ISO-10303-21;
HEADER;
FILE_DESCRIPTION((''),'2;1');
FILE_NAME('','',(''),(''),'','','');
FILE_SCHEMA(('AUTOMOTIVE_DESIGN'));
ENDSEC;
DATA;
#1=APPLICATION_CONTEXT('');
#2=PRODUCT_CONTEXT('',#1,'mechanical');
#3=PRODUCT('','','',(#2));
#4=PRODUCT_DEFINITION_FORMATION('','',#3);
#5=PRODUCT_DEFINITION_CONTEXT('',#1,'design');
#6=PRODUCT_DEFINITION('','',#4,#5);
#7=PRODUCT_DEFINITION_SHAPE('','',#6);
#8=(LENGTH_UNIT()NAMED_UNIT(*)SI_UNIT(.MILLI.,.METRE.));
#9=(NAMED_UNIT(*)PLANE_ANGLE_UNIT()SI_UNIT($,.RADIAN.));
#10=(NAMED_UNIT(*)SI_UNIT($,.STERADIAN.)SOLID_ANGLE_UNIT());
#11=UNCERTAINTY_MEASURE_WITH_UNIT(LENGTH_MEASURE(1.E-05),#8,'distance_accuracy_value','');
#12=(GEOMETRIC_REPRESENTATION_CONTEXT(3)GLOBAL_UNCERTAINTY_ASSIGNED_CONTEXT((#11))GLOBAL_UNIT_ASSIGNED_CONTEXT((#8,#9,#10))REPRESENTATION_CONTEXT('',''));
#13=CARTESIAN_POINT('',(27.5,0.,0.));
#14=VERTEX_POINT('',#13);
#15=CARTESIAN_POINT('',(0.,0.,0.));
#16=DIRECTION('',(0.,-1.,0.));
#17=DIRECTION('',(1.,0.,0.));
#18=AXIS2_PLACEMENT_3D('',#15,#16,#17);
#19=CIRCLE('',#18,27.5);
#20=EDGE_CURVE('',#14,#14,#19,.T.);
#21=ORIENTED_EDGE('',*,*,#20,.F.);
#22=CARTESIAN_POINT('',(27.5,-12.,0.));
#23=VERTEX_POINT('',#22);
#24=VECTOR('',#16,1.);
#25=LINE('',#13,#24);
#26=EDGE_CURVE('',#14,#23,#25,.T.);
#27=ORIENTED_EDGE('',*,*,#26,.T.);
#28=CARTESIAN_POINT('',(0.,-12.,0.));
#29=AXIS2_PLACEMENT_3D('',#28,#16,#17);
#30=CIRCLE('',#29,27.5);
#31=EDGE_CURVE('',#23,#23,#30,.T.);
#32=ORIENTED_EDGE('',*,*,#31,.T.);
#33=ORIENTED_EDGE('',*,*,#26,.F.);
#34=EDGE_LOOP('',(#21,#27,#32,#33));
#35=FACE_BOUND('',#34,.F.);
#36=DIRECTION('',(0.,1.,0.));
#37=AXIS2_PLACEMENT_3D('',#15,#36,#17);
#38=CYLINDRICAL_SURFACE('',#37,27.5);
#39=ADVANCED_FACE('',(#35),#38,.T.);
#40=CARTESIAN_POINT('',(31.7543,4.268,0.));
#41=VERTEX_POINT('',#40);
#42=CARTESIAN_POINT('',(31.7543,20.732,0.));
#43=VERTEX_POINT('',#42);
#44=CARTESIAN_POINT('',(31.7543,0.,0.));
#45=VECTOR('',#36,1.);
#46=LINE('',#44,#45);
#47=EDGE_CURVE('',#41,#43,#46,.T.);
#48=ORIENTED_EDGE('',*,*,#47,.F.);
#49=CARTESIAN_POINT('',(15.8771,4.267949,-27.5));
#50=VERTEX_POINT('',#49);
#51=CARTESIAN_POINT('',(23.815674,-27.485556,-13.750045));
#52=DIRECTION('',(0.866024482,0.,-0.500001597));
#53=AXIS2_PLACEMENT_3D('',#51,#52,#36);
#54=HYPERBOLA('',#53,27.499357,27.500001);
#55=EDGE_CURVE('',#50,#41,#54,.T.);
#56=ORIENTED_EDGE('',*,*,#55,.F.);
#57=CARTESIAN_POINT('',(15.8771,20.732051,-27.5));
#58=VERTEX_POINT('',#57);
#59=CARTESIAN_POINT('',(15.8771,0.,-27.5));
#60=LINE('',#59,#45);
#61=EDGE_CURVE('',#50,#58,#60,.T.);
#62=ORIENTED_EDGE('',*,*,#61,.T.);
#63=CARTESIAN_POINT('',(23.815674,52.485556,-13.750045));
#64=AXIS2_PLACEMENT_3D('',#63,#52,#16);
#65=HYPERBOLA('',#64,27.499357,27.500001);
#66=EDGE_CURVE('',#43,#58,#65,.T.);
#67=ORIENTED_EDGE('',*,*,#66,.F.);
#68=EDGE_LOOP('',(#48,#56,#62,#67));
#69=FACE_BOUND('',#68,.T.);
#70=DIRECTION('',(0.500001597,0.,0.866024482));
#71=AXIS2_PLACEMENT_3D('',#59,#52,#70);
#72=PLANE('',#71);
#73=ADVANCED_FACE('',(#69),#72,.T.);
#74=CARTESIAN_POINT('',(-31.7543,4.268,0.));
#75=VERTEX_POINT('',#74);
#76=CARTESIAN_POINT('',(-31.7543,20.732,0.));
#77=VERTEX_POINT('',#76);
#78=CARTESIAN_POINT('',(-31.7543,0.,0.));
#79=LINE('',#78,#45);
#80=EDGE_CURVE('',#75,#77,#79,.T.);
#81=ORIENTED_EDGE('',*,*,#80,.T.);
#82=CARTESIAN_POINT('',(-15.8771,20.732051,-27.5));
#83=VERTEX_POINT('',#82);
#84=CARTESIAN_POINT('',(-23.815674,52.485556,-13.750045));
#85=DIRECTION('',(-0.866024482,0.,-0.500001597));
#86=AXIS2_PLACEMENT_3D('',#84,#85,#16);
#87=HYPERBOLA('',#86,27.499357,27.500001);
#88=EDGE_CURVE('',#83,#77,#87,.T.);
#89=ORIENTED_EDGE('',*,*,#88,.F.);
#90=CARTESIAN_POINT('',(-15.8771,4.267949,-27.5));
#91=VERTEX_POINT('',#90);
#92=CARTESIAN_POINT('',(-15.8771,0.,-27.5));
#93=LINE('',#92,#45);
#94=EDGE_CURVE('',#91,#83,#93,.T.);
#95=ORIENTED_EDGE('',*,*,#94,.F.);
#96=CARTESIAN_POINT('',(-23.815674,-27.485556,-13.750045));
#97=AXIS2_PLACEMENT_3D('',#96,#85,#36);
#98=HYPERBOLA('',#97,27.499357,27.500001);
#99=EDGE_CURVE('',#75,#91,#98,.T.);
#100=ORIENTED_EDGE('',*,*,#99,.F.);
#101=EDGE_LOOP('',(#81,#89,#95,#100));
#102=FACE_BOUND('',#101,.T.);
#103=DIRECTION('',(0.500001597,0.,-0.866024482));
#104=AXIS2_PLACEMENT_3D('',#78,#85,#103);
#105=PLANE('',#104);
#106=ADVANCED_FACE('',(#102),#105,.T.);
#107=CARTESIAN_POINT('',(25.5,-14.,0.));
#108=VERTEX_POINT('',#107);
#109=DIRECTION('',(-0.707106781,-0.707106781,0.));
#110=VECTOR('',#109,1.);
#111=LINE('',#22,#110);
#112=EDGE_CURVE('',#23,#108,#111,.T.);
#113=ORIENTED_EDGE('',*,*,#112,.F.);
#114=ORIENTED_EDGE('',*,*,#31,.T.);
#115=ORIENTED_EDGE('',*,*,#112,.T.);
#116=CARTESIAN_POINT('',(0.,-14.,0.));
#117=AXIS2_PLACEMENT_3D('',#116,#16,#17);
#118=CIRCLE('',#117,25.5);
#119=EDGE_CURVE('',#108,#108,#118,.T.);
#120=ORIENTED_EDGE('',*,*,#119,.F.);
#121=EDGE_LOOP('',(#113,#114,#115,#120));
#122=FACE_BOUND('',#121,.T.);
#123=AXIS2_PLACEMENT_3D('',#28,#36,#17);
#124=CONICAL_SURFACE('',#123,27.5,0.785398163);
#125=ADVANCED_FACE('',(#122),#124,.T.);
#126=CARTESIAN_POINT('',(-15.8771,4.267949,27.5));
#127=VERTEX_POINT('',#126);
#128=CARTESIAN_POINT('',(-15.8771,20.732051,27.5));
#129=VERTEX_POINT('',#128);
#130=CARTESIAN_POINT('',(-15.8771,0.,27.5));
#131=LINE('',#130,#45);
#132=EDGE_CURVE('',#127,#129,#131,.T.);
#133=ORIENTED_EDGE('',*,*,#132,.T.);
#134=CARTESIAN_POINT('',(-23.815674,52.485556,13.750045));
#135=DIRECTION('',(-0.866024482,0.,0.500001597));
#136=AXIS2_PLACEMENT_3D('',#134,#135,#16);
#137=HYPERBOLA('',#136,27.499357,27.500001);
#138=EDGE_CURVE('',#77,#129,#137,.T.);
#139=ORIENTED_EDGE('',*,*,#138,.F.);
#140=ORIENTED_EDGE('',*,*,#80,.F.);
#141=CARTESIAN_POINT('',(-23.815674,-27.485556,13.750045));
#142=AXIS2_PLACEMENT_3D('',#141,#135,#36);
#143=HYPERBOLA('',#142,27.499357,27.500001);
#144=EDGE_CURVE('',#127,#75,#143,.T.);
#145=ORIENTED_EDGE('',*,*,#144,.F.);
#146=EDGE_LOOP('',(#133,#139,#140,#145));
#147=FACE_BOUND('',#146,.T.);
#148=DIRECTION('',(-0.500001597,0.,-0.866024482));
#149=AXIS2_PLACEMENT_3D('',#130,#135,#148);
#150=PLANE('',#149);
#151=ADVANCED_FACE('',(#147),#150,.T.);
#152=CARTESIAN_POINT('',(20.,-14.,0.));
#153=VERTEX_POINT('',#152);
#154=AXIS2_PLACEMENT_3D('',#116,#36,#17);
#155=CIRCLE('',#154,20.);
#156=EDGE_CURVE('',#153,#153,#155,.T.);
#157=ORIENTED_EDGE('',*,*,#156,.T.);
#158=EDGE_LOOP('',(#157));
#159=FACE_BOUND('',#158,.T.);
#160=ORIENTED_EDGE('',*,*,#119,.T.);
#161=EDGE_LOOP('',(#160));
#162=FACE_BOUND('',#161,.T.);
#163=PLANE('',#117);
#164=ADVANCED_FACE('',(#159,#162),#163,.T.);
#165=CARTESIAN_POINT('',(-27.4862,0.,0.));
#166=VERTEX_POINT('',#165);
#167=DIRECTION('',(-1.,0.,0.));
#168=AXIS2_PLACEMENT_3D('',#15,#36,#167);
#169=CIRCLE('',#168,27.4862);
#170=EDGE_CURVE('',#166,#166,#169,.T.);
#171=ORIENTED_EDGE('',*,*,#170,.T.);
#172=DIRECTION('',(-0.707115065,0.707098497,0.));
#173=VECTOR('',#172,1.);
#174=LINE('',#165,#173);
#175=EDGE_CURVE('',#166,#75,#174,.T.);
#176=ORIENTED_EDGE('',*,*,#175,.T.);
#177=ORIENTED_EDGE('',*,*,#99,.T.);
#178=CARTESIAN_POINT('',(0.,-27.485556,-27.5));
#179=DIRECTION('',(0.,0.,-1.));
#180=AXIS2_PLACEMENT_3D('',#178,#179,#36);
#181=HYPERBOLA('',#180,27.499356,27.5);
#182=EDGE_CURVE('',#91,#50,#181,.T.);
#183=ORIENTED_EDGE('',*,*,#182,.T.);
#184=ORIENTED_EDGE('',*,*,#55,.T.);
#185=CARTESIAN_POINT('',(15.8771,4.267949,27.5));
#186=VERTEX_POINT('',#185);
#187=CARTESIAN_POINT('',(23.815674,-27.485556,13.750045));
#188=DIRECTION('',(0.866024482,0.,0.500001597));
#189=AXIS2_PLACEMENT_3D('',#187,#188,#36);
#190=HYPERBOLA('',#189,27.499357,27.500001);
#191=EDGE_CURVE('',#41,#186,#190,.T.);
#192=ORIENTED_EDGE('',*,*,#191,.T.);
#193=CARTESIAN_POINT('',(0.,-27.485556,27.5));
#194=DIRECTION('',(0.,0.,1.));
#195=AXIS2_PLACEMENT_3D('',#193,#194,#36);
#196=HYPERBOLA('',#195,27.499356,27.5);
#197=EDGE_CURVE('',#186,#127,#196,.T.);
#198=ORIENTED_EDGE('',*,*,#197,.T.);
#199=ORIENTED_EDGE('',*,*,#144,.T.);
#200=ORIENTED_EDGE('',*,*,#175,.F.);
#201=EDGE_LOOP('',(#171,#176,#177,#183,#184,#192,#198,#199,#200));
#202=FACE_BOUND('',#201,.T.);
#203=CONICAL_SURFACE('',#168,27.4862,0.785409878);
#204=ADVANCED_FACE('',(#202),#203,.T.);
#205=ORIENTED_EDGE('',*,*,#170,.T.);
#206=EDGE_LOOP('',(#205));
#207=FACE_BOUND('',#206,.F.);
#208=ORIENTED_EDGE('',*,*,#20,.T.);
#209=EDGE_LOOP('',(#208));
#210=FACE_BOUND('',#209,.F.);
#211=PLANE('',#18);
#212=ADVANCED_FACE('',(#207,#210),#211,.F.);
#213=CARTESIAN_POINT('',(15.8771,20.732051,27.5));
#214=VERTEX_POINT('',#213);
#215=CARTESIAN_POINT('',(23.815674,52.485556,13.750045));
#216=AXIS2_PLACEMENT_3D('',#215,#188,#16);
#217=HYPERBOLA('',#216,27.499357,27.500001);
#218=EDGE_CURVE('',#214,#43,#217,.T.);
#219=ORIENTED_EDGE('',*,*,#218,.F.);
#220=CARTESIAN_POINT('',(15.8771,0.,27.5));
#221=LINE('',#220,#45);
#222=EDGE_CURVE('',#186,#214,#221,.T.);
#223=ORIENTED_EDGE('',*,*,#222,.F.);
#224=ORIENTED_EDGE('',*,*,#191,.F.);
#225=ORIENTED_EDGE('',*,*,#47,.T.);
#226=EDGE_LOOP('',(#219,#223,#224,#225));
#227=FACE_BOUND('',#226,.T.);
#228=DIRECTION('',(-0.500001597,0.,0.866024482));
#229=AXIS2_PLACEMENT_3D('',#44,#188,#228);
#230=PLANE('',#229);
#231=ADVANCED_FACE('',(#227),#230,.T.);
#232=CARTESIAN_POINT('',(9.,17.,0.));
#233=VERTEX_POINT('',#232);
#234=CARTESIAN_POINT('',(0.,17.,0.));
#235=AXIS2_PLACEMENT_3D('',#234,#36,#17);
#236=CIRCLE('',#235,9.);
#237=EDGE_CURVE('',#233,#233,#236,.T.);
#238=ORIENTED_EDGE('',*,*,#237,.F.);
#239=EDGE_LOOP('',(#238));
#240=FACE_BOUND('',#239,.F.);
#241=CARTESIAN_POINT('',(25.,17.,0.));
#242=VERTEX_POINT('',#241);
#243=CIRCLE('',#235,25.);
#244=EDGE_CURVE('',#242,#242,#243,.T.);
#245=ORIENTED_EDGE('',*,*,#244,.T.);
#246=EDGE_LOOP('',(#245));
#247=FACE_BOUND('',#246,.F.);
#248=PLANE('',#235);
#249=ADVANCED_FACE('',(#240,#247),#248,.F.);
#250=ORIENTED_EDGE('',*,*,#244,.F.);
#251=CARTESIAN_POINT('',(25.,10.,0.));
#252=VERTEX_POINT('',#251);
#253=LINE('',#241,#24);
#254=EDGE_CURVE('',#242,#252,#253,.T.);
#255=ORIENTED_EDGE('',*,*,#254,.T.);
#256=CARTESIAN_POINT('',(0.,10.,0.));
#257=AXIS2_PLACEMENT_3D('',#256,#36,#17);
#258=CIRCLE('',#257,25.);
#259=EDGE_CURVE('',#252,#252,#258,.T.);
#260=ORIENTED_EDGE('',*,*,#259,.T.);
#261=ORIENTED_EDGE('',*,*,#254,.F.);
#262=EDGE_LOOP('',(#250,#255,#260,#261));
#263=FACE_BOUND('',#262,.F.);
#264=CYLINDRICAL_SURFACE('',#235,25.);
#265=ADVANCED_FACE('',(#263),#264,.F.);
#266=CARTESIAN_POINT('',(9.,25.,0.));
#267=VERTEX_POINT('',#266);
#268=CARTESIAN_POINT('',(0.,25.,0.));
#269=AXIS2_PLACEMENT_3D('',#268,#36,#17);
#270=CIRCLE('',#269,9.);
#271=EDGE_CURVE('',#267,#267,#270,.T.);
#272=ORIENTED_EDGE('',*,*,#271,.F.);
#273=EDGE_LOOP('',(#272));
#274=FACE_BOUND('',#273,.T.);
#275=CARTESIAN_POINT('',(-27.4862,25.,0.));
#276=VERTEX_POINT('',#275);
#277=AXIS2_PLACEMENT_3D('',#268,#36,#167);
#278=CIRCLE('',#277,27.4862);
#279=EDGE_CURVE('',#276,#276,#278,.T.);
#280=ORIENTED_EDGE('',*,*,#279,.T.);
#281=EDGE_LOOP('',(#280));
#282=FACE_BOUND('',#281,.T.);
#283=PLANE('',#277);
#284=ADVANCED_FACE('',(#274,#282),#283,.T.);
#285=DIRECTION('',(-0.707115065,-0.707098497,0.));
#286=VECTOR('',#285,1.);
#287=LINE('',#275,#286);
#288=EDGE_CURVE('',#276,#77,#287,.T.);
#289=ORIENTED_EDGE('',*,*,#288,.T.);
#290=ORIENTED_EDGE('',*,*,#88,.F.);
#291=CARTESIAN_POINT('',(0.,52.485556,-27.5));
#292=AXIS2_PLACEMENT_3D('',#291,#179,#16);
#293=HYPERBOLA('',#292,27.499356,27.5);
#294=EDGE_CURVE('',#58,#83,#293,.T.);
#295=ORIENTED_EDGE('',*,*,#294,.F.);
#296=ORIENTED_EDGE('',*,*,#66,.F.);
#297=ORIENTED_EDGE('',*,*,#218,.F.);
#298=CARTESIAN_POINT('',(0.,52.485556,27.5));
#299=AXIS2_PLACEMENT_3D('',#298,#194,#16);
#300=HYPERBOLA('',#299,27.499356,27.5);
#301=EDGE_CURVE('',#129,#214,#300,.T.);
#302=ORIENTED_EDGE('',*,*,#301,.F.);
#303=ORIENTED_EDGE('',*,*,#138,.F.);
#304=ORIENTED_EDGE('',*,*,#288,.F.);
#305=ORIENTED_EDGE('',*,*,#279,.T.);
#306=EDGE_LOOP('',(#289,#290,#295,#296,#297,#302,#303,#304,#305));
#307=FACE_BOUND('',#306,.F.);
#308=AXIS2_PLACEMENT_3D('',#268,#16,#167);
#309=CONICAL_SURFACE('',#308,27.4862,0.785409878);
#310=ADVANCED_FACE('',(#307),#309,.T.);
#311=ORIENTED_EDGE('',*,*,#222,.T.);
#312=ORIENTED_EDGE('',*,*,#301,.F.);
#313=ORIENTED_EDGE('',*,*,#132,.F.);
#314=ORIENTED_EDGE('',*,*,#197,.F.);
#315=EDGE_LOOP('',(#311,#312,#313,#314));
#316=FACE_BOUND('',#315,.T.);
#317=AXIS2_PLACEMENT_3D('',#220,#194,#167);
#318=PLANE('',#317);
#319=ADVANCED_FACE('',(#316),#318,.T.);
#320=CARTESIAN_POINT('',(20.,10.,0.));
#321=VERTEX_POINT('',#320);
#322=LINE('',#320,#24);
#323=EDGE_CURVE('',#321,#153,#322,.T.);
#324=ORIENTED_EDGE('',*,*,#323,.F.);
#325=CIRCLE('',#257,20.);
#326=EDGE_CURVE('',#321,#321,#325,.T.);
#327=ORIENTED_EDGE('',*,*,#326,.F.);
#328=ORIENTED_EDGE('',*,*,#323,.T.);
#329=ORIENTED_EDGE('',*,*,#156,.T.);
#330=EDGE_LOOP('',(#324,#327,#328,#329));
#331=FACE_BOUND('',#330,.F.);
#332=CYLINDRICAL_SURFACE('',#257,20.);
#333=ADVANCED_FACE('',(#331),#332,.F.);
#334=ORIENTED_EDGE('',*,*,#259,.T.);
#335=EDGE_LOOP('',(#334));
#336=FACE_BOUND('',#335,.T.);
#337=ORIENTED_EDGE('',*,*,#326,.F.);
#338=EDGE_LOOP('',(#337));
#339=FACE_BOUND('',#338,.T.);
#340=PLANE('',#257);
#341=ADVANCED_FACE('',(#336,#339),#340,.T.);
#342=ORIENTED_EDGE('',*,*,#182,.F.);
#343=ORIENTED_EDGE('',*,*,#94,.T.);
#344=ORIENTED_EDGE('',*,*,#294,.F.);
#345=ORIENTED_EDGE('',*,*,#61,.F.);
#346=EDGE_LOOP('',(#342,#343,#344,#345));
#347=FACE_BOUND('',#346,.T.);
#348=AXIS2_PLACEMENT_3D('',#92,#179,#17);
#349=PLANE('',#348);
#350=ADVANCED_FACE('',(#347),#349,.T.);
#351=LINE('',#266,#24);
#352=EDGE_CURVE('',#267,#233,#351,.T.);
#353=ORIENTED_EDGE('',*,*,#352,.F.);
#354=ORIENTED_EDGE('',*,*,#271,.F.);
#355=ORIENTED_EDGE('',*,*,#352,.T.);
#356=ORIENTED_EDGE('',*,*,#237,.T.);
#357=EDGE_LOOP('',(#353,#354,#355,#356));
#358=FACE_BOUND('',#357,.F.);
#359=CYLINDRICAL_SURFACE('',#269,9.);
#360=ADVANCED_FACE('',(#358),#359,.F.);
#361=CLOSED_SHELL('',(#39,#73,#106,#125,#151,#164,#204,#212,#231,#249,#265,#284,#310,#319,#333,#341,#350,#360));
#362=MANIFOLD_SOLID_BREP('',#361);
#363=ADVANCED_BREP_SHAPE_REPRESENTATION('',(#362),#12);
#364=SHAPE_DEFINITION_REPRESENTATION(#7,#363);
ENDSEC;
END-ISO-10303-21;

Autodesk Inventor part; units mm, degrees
ref_plane "YZ Plane" through (0, 0, 0) normal (1, 0, 0) x (0, 1, 0)
ref_plane "XZ Plane" through (0, 0, 0) normal (0, 1, 0) x (-1, 0, 0)
sketch "Sketch4" plane through (0, 0, 0) normal (0, 1, 0) x (-1, 0, 0)
  line L0 (-31.7543, 0) -> (-15.8771, 27.5)
  line L1 (-15.8771, 27.5) -> (15.8771, 27.5)
  line L2 (15.8771, 27.5) -> (31.7543, 0)
  line L3 (31.7543, 0) -> (15.8771, -27.5)
  line L4 (15.8771, -27.5) -> (-15.8771, -27.5)
  line L5 (-15.8771, -27.5) -> (-31.7543, 0)
  line L6 (31.7543, 0) -> (-31.7543, 0)
  point P0 (0, 0)
  point P1 (0, 0)
extrude "Extrusion2" add sketch "Sketch4" along normal blind 25
sketch "Sketch12" plane through (0, 0, 0) normal (0, 0, 1) x (1, 0, 0)
  line L0 (-15.8771, 25) -> (-31.7543, 25) projected
  line L1 (-31.7543, 25) -> (-31.7543, 20.732)
  line L2 (-27.4862, 25) -> (-31.7543, 20.732)
  line L3 (0, -5) -> (0, 30) projected
  point P0 (0, 0)
  dimension "d23" = 45
revolve "Revolution1" cut sketch "Sketch12" angle 360 about axis through (0, -10, 0) along (0, 1, 0)
ref_plane "Work Plane2" through (0, 12.5, 0) normal (0, -1, 0) x (1, 0, 0)
mirror "Mirror1" about plane through (0, 12.5, 0) normal (0, -1, 0) of "Revolution1"
sketch "Sketch13" plane through (0, 25, 0) normal (0, 1, 0) x (1, 0, 0)
  circle A0 centre (0, 0) radius 9
  dimension "d25" = 18
extrude "Extrusion5" cut sketch "Sketch13" against normal blind 8
sketch "Sketch14" plane through (0, 17, 0) normal (0, 1, 0) x (1, 0, 0)
  circle A0 centre (0, 0) radius 25
  dimension "d28" = 50
extrude "Extrusion6" cut sketch "Sketch14" against normal blind 7
sketch "Sketch15" plane through (0, 0, 0) normal (0, -1, 0) x (1, 0, 0)
  circle A0 centre (0, 0) radius 27.5
  dimension "d32" = 55
extrude "Extrusion7" add sketch "Sketch15" along normal blind 14
sketch "Sketch16" plane through (0, 10, 0) normal (0, 1, 0) x (1, 0, 0)
  circle A0 centre (0, 0) radius 20
  dimension "d35" = 40
extrude "Extrusion8" cut sketch "Sketch16" against normal through all
chamfer "Chamfer1" distance 2 angle 45 1 edges at (-27.5, -14, 0)
thread "Thread2" size "M40x3" class "6H" standard "ANSI Metric M Profile" full length
properties part number "00.32.007 \"Nut\"" material "Steel"
